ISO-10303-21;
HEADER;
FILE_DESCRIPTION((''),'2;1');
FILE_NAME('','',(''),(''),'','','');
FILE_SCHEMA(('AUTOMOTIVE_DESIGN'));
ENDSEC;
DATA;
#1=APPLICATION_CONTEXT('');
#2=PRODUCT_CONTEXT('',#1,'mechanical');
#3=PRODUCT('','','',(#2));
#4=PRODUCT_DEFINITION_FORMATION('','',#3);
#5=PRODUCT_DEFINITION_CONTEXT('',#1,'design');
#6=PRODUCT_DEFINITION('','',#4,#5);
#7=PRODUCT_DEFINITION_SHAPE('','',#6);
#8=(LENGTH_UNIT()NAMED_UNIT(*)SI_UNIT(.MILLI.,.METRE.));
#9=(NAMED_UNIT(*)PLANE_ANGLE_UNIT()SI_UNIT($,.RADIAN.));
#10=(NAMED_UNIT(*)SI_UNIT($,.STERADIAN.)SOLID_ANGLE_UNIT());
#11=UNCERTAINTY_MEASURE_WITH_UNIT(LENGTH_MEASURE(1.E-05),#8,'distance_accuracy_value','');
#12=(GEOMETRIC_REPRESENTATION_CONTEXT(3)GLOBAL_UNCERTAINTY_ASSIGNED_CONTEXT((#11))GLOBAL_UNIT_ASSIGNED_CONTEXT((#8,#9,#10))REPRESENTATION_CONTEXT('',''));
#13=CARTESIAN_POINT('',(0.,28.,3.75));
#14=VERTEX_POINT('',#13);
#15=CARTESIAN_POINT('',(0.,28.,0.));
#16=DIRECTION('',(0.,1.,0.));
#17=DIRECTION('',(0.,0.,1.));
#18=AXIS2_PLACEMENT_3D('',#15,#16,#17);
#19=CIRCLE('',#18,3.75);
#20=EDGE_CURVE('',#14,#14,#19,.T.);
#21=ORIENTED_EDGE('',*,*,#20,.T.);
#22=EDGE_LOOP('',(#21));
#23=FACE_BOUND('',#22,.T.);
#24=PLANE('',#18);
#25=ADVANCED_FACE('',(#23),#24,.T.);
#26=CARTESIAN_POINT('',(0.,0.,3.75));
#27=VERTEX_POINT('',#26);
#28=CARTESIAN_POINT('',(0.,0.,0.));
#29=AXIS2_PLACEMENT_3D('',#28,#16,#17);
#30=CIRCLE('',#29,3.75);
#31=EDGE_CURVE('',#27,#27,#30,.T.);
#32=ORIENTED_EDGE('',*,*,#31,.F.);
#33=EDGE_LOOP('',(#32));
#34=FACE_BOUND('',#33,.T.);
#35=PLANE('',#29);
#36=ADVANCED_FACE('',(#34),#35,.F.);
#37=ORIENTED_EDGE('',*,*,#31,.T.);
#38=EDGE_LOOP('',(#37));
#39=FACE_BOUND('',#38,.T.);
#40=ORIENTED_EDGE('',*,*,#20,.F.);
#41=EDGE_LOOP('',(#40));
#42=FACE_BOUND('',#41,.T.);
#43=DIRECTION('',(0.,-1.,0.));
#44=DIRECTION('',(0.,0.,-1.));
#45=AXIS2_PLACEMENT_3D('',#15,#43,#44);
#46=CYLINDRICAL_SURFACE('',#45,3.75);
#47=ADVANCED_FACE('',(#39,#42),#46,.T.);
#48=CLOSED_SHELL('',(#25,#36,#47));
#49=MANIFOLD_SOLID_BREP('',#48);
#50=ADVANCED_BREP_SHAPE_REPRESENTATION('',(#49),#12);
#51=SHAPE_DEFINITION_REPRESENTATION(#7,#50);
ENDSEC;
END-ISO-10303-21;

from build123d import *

# Parameters (mm, degrees)
SKETCH1_R           = 3.75
BOSS_EXTRUDE1_DEPTH = 28


with BuildPart() as part:
    # Sketch1 → Boss-Extrude1 (new body)
    with BuildSketch(Plane(origin=(0, 0, 0), x_dir=(1, 0, 0), z_dir=(0, 1, 0))):
        with Locations(Location((0, 0, 0), (0, 0, 270))):  # turned: the seam where the file's is
            Circle(SKETCH1_R)
    extrude(amount=BOSS_EXTRUDE1_DEPTH)


solid = part.part
